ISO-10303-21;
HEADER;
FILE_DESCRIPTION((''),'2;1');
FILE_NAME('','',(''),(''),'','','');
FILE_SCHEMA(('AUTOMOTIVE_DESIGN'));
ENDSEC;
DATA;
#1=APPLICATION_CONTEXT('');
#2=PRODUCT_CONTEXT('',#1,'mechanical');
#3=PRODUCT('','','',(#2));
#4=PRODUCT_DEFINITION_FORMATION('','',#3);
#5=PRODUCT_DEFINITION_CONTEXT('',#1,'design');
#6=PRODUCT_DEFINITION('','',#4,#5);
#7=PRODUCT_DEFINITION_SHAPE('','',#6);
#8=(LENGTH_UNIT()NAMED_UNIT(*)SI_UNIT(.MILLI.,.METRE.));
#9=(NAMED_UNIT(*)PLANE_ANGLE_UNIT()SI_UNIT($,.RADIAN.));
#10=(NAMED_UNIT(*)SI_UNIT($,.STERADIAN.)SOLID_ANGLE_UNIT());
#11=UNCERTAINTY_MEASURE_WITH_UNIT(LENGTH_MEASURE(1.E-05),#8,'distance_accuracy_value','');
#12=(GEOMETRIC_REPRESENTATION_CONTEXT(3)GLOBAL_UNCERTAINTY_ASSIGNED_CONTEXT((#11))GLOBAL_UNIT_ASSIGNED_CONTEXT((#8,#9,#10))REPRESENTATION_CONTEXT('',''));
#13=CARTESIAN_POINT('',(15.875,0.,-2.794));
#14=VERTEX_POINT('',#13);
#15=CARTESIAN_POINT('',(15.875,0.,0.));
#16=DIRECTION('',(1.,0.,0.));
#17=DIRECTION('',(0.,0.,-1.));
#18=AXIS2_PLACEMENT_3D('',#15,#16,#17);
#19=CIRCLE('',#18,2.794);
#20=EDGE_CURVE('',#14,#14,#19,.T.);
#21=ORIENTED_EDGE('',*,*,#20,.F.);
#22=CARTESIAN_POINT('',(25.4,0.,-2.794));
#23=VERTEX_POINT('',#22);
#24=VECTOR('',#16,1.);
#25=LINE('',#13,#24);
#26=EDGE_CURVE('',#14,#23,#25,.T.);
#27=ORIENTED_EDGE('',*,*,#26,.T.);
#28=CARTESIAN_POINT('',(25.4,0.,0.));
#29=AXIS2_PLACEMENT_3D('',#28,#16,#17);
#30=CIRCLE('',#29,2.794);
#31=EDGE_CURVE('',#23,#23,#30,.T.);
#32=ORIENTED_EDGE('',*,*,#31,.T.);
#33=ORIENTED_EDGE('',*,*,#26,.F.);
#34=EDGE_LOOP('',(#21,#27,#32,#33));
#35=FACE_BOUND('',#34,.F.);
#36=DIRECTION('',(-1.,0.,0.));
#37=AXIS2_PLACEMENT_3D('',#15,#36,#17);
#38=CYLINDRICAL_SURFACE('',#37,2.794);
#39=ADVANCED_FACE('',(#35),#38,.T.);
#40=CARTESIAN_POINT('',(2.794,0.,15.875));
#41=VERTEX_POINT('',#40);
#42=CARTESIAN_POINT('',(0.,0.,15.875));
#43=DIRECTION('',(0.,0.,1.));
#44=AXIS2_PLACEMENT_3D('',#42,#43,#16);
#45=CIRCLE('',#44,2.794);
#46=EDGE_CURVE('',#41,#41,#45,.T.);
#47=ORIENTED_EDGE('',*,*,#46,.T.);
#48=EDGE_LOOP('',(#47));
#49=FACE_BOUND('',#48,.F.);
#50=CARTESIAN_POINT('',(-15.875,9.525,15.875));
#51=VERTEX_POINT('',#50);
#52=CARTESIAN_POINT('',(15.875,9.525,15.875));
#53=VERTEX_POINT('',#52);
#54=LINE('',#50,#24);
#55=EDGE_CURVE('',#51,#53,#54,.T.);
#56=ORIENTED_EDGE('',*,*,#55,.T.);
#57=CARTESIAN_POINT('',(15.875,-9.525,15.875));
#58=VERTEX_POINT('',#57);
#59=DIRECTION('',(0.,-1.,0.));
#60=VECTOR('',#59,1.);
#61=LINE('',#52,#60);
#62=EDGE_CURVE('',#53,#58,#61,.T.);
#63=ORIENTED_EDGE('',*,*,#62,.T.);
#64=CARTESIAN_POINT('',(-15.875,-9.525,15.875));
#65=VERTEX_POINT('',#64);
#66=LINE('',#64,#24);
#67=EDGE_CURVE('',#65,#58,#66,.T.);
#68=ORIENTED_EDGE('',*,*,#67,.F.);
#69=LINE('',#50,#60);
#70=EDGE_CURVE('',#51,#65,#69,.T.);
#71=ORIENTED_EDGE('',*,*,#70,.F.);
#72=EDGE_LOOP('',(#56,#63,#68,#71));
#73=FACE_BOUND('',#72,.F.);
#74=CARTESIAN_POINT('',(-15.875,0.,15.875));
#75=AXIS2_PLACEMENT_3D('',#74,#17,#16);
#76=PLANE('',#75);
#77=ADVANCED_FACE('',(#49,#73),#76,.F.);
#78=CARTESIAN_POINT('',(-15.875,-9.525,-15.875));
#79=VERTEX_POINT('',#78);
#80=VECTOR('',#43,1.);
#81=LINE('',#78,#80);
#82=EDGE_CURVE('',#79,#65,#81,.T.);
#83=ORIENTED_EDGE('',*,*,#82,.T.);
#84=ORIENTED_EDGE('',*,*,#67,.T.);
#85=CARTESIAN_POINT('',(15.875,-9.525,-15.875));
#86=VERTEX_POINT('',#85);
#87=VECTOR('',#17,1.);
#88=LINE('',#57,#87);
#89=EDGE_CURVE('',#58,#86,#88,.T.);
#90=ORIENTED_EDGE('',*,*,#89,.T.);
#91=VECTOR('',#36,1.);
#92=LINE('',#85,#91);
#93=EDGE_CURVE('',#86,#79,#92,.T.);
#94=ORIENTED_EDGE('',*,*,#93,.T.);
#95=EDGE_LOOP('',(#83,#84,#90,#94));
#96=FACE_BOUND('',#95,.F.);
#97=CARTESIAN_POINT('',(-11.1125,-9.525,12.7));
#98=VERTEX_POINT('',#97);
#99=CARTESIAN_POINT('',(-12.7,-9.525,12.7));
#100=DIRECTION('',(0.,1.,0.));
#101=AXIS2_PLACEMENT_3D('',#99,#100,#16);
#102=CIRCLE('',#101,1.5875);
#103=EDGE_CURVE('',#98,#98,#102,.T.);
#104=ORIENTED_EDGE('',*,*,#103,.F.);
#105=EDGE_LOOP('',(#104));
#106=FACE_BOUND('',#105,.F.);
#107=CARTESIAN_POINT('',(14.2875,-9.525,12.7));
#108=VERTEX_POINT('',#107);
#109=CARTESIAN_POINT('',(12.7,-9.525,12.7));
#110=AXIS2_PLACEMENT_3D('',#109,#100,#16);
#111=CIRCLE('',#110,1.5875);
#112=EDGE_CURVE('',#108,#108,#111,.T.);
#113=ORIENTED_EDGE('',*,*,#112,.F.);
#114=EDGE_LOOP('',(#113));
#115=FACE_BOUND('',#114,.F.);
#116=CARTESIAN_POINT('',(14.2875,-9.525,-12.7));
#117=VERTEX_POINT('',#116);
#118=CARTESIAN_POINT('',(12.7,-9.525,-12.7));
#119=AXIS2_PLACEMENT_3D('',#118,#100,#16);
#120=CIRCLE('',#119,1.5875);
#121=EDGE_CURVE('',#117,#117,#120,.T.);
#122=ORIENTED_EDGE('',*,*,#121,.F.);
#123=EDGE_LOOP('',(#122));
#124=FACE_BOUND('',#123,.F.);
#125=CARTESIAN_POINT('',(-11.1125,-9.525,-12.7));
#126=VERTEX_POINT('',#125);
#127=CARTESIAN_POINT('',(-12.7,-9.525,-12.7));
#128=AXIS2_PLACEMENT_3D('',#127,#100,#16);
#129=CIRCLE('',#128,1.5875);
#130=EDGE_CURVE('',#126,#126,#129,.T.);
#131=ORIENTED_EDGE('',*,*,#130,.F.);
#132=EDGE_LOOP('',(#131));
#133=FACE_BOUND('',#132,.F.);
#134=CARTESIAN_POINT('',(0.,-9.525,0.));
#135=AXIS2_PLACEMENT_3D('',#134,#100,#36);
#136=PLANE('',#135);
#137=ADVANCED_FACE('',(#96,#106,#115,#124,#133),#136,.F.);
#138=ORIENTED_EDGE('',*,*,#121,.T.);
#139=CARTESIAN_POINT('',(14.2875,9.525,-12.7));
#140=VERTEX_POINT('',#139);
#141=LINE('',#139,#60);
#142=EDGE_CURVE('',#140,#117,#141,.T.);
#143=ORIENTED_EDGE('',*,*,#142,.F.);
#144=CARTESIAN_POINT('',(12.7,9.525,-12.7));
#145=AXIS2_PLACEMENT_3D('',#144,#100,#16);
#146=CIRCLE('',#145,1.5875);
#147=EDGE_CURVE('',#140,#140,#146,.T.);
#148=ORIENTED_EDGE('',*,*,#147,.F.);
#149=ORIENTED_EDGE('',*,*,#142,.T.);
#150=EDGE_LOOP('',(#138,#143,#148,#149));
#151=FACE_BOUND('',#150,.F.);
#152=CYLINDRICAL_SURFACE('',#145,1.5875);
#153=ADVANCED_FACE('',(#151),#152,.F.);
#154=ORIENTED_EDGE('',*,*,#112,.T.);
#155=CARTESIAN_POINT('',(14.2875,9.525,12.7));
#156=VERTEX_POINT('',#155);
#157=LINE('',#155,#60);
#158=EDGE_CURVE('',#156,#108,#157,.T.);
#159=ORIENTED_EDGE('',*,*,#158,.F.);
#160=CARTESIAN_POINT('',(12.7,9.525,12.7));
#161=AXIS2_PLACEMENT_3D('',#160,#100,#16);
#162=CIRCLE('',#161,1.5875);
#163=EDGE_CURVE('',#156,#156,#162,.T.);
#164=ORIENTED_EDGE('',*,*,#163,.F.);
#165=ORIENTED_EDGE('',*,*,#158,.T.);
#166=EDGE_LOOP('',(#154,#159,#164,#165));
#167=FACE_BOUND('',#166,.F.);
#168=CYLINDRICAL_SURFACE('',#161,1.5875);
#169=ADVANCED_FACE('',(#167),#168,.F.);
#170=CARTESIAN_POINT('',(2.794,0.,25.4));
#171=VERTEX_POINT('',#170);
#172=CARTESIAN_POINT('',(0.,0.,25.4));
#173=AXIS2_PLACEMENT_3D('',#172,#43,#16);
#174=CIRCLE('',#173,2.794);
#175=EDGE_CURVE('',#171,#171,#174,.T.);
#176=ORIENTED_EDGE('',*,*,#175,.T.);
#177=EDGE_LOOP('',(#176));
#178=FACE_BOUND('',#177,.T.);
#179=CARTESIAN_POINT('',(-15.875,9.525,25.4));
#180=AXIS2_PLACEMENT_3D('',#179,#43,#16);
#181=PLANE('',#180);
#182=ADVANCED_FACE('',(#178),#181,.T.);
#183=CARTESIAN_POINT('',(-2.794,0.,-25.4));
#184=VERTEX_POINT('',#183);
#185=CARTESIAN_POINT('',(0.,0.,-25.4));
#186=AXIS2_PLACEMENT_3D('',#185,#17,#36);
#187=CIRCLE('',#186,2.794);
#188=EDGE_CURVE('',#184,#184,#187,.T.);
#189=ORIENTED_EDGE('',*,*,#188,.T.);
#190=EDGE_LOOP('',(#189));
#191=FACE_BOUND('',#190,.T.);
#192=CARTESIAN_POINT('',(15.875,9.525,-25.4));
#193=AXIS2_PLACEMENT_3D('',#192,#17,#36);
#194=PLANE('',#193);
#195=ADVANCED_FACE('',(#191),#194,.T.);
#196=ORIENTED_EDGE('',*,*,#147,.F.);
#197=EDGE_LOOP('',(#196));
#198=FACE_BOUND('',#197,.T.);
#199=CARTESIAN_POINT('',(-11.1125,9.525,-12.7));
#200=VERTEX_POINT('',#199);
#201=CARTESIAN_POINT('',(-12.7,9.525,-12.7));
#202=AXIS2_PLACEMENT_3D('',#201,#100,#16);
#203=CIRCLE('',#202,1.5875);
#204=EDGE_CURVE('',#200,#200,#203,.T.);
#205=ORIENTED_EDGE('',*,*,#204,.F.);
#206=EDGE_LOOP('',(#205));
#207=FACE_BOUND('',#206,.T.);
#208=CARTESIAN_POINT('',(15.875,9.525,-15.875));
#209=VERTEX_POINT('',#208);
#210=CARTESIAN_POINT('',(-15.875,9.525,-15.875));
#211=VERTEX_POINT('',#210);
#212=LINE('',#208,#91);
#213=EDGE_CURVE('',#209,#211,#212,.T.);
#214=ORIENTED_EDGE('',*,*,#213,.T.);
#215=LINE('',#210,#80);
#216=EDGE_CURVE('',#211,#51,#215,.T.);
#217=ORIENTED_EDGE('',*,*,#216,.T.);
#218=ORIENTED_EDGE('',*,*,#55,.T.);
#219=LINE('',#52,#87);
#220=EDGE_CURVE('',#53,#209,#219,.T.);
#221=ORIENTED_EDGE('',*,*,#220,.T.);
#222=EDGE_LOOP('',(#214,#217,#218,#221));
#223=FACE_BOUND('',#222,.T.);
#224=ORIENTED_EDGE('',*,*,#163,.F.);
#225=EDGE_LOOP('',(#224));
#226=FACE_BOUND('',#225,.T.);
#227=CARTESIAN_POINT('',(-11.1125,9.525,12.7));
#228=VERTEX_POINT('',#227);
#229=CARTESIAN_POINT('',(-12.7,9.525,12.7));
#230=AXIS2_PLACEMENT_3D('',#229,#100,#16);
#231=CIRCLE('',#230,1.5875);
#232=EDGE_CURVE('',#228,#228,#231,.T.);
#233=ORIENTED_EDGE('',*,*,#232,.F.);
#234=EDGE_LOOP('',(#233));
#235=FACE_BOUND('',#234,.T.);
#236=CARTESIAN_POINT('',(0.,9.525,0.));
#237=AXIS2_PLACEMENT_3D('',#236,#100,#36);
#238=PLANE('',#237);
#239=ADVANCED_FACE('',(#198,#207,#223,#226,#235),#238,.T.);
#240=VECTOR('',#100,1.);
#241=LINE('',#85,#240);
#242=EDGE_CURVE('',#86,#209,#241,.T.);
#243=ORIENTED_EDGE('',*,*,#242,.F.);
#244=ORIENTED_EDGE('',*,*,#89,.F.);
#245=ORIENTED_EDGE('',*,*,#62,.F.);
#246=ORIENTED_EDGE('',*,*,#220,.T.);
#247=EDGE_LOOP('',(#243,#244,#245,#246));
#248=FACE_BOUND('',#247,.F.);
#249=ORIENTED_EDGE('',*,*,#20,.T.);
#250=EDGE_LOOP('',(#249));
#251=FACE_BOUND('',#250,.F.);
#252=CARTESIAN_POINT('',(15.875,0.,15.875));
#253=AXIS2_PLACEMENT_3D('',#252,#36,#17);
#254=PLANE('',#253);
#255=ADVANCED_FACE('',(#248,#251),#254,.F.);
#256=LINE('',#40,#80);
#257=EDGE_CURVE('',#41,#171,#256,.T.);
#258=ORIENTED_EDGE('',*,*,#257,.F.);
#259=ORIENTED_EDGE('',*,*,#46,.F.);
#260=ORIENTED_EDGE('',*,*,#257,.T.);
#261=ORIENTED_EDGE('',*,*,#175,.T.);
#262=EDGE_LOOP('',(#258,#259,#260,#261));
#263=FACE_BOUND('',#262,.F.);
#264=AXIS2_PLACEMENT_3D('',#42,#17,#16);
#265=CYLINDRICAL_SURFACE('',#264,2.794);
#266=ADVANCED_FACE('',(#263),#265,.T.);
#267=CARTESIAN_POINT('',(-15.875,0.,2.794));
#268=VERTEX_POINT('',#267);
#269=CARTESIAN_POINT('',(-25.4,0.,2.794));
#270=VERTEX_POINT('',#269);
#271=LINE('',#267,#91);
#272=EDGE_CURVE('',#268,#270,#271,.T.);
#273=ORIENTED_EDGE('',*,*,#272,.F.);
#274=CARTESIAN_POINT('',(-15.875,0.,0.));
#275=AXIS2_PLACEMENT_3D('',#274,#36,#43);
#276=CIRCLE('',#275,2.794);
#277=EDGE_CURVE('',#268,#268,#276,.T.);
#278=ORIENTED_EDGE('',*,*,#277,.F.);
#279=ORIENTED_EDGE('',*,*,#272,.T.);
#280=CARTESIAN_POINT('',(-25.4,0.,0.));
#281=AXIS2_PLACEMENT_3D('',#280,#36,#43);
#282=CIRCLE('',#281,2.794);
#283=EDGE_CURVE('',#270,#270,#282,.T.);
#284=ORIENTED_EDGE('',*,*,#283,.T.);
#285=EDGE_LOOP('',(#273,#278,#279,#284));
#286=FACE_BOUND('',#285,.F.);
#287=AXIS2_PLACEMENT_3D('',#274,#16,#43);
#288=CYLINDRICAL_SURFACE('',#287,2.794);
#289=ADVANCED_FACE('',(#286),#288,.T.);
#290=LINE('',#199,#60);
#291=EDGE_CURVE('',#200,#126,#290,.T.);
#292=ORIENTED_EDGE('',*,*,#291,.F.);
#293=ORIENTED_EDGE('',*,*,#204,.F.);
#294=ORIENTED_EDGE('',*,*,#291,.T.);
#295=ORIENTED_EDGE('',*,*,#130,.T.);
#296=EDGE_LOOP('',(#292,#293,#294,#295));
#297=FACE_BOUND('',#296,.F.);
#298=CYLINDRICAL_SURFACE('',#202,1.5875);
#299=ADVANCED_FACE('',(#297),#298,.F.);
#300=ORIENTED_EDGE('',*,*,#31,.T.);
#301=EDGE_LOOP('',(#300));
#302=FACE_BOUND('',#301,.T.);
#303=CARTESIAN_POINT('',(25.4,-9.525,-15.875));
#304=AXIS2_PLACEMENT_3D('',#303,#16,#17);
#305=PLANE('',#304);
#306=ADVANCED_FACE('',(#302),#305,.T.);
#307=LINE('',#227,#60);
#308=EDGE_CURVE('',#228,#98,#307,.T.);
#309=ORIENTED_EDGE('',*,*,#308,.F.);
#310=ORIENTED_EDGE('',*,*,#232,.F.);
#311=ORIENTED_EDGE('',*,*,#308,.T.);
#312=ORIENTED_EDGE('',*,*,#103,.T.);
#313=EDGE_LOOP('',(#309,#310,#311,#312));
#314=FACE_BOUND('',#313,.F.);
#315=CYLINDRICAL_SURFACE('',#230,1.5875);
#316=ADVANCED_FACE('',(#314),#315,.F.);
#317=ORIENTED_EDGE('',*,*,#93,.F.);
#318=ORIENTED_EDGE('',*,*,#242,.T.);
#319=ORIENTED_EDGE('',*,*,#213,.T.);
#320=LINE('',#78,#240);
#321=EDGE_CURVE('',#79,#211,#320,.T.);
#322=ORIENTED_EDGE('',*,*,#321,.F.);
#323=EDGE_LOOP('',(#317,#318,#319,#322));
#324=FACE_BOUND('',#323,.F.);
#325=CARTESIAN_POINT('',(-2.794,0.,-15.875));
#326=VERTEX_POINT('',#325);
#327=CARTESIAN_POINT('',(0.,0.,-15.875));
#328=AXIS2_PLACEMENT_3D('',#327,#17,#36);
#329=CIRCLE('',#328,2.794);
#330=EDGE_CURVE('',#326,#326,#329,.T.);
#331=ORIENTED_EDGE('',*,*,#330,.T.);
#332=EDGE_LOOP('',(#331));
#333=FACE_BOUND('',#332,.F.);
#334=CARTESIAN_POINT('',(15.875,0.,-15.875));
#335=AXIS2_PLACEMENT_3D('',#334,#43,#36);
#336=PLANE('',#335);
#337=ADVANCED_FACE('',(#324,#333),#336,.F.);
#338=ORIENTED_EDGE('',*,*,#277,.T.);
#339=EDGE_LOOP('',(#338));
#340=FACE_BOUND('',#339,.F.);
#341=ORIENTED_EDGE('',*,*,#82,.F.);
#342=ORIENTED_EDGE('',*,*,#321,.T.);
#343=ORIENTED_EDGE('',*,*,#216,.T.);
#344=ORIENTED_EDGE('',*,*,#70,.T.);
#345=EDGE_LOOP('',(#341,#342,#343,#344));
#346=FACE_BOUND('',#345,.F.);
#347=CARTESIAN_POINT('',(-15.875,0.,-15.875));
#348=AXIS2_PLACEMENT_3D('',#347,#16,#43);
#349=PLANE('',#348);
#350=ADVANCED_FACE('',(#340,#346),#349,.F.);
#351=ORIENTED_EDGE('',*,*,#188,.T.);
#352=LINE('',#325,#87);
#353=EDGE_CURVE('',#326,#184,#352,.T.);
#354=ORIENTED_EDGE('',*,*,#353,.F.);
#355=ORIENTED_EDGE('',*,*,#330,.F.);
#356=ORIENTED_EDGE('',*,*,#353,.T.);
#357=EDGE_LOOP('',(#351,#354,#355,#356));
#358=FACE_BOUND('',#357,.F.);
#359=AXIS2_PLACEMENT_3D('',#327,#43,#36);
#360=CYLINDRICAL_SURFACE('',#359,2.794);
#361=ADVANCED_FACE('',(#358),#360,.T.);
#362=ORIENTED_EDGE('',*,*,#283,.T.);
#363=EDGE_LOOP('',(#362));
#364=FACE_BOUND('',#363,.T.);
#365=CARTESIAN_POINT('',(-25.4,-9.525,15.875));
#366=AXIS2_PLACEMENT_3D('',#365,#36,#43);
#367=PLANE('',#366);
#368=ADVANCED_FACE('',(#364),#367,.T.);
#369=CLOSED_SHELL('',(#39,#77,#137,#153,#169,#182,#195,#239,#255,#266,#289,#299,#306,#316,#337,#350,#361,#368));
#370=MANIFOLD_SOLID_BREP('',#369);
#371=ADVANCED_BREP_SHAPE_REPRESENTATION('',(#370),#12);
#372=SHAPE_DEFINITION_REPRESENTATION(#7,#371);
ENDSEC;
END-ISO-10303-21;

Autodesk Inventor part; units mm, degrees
ref_plane "YZ Plane" through (0, 0, 0) normal (1, 0, 0) x (0, 1, 0)
ref_plane "XZ Plane" through (0, 0, 0) normal (0, 1, 0) x (-1, 0, 0)
ref_plane "XY Plane" through (0, 0, 0) normal (0, 0, 1) x (1, 0, 0)
sketch "Sketch1" plane through (0, 0, 0) normal (0, 1, 0) x (-1, 0, 0)
  line L0 (-15.875, -15.875) -> (15.875, -15.875)
  line L1 (15.875, -15.875) -> (15.875, 15.875)
  line L2 (15.875, 15.875) -> (-15.875, 15.875)
  line L3 (-15.875, 15.875) -> (-15.875, -15.875)
  line L4 (-15.875, -15.875) -> (15.875, 15.875) construction
  line L5 (15.875, -15.875) -> (-15.875, 15.875) construction
  point P0 (0, 0)
  dimension "d0" = 31.75
  dimension "d1" = 31.75
extrude "Extrusion1" add sketch "Sketch1" along normal mid plane 19.05
sketch "Sketch2" plane through (0, 9.525, 0) normal (0, 1, 0) x (1, 0, 0)
  circle A0 centre (-12.7, -12.7) radius 1.5875
  circle A1 centre (-12.7, 12.7) radius 1.5875
  circle A2 centre (12.7, -12.7) radius 1.5875
  circle A3 centre (12.7, 12.7) radius 1.5875
  point P0 (0, 0)
  dimension "d4" = 3.175
  dimension "d5" = 3.175
  dimension "d6" = 3.175
  dimension "d7" = 3.175
extrude "Extrusion2" cut sketch "Sketch2" against normal through all
sketch "Sketch3" plane through (-15.875, 9.525, 15.875) normal (0, 0, 1) x (1, 0, 0)
  circle A0 centre (15.875, -9.525) radius 2.794
  dimension "d10" = 5.588
sketch "Sketch4" plane through (15.875, -9.525, -15.875) normal (1, 0, 0) x (0, 0, -1)
  circle A0 centre (-15.875, 9.525) radius 2.794
  dimension "d11" = 5.588
sketch "Sketch5" plane through (15.875, 9.525, -15.875) normal (0, 0, -1) x (-1, 0, 0)
  circle A0 centre (15.875, -9.525) radius 2.794
  dimension "d12" = 5.588
sketch "Sketch6" plane through (-15.875, -9.525, 15.875) normal (-1, 0, 0) x (0, 0, 1)
  circle A0 centre (-15.875, 9.525) radius 2.794
  dimension "d13" = 5.588
extrude "Extrusion3" add sketch "Sketch6" along normal blind 9.525
extrude "Extrusion4" add sketch "Sketch5" along normal blind 9.525
extrude "Extrusion5" add sketch "Sketch4" along normal blind 9.525
extrude "Extrusion6" add sketch "Sketch3" along normal blind 9.525
properties part number "ZFSWHA-1-20+_Switch"
